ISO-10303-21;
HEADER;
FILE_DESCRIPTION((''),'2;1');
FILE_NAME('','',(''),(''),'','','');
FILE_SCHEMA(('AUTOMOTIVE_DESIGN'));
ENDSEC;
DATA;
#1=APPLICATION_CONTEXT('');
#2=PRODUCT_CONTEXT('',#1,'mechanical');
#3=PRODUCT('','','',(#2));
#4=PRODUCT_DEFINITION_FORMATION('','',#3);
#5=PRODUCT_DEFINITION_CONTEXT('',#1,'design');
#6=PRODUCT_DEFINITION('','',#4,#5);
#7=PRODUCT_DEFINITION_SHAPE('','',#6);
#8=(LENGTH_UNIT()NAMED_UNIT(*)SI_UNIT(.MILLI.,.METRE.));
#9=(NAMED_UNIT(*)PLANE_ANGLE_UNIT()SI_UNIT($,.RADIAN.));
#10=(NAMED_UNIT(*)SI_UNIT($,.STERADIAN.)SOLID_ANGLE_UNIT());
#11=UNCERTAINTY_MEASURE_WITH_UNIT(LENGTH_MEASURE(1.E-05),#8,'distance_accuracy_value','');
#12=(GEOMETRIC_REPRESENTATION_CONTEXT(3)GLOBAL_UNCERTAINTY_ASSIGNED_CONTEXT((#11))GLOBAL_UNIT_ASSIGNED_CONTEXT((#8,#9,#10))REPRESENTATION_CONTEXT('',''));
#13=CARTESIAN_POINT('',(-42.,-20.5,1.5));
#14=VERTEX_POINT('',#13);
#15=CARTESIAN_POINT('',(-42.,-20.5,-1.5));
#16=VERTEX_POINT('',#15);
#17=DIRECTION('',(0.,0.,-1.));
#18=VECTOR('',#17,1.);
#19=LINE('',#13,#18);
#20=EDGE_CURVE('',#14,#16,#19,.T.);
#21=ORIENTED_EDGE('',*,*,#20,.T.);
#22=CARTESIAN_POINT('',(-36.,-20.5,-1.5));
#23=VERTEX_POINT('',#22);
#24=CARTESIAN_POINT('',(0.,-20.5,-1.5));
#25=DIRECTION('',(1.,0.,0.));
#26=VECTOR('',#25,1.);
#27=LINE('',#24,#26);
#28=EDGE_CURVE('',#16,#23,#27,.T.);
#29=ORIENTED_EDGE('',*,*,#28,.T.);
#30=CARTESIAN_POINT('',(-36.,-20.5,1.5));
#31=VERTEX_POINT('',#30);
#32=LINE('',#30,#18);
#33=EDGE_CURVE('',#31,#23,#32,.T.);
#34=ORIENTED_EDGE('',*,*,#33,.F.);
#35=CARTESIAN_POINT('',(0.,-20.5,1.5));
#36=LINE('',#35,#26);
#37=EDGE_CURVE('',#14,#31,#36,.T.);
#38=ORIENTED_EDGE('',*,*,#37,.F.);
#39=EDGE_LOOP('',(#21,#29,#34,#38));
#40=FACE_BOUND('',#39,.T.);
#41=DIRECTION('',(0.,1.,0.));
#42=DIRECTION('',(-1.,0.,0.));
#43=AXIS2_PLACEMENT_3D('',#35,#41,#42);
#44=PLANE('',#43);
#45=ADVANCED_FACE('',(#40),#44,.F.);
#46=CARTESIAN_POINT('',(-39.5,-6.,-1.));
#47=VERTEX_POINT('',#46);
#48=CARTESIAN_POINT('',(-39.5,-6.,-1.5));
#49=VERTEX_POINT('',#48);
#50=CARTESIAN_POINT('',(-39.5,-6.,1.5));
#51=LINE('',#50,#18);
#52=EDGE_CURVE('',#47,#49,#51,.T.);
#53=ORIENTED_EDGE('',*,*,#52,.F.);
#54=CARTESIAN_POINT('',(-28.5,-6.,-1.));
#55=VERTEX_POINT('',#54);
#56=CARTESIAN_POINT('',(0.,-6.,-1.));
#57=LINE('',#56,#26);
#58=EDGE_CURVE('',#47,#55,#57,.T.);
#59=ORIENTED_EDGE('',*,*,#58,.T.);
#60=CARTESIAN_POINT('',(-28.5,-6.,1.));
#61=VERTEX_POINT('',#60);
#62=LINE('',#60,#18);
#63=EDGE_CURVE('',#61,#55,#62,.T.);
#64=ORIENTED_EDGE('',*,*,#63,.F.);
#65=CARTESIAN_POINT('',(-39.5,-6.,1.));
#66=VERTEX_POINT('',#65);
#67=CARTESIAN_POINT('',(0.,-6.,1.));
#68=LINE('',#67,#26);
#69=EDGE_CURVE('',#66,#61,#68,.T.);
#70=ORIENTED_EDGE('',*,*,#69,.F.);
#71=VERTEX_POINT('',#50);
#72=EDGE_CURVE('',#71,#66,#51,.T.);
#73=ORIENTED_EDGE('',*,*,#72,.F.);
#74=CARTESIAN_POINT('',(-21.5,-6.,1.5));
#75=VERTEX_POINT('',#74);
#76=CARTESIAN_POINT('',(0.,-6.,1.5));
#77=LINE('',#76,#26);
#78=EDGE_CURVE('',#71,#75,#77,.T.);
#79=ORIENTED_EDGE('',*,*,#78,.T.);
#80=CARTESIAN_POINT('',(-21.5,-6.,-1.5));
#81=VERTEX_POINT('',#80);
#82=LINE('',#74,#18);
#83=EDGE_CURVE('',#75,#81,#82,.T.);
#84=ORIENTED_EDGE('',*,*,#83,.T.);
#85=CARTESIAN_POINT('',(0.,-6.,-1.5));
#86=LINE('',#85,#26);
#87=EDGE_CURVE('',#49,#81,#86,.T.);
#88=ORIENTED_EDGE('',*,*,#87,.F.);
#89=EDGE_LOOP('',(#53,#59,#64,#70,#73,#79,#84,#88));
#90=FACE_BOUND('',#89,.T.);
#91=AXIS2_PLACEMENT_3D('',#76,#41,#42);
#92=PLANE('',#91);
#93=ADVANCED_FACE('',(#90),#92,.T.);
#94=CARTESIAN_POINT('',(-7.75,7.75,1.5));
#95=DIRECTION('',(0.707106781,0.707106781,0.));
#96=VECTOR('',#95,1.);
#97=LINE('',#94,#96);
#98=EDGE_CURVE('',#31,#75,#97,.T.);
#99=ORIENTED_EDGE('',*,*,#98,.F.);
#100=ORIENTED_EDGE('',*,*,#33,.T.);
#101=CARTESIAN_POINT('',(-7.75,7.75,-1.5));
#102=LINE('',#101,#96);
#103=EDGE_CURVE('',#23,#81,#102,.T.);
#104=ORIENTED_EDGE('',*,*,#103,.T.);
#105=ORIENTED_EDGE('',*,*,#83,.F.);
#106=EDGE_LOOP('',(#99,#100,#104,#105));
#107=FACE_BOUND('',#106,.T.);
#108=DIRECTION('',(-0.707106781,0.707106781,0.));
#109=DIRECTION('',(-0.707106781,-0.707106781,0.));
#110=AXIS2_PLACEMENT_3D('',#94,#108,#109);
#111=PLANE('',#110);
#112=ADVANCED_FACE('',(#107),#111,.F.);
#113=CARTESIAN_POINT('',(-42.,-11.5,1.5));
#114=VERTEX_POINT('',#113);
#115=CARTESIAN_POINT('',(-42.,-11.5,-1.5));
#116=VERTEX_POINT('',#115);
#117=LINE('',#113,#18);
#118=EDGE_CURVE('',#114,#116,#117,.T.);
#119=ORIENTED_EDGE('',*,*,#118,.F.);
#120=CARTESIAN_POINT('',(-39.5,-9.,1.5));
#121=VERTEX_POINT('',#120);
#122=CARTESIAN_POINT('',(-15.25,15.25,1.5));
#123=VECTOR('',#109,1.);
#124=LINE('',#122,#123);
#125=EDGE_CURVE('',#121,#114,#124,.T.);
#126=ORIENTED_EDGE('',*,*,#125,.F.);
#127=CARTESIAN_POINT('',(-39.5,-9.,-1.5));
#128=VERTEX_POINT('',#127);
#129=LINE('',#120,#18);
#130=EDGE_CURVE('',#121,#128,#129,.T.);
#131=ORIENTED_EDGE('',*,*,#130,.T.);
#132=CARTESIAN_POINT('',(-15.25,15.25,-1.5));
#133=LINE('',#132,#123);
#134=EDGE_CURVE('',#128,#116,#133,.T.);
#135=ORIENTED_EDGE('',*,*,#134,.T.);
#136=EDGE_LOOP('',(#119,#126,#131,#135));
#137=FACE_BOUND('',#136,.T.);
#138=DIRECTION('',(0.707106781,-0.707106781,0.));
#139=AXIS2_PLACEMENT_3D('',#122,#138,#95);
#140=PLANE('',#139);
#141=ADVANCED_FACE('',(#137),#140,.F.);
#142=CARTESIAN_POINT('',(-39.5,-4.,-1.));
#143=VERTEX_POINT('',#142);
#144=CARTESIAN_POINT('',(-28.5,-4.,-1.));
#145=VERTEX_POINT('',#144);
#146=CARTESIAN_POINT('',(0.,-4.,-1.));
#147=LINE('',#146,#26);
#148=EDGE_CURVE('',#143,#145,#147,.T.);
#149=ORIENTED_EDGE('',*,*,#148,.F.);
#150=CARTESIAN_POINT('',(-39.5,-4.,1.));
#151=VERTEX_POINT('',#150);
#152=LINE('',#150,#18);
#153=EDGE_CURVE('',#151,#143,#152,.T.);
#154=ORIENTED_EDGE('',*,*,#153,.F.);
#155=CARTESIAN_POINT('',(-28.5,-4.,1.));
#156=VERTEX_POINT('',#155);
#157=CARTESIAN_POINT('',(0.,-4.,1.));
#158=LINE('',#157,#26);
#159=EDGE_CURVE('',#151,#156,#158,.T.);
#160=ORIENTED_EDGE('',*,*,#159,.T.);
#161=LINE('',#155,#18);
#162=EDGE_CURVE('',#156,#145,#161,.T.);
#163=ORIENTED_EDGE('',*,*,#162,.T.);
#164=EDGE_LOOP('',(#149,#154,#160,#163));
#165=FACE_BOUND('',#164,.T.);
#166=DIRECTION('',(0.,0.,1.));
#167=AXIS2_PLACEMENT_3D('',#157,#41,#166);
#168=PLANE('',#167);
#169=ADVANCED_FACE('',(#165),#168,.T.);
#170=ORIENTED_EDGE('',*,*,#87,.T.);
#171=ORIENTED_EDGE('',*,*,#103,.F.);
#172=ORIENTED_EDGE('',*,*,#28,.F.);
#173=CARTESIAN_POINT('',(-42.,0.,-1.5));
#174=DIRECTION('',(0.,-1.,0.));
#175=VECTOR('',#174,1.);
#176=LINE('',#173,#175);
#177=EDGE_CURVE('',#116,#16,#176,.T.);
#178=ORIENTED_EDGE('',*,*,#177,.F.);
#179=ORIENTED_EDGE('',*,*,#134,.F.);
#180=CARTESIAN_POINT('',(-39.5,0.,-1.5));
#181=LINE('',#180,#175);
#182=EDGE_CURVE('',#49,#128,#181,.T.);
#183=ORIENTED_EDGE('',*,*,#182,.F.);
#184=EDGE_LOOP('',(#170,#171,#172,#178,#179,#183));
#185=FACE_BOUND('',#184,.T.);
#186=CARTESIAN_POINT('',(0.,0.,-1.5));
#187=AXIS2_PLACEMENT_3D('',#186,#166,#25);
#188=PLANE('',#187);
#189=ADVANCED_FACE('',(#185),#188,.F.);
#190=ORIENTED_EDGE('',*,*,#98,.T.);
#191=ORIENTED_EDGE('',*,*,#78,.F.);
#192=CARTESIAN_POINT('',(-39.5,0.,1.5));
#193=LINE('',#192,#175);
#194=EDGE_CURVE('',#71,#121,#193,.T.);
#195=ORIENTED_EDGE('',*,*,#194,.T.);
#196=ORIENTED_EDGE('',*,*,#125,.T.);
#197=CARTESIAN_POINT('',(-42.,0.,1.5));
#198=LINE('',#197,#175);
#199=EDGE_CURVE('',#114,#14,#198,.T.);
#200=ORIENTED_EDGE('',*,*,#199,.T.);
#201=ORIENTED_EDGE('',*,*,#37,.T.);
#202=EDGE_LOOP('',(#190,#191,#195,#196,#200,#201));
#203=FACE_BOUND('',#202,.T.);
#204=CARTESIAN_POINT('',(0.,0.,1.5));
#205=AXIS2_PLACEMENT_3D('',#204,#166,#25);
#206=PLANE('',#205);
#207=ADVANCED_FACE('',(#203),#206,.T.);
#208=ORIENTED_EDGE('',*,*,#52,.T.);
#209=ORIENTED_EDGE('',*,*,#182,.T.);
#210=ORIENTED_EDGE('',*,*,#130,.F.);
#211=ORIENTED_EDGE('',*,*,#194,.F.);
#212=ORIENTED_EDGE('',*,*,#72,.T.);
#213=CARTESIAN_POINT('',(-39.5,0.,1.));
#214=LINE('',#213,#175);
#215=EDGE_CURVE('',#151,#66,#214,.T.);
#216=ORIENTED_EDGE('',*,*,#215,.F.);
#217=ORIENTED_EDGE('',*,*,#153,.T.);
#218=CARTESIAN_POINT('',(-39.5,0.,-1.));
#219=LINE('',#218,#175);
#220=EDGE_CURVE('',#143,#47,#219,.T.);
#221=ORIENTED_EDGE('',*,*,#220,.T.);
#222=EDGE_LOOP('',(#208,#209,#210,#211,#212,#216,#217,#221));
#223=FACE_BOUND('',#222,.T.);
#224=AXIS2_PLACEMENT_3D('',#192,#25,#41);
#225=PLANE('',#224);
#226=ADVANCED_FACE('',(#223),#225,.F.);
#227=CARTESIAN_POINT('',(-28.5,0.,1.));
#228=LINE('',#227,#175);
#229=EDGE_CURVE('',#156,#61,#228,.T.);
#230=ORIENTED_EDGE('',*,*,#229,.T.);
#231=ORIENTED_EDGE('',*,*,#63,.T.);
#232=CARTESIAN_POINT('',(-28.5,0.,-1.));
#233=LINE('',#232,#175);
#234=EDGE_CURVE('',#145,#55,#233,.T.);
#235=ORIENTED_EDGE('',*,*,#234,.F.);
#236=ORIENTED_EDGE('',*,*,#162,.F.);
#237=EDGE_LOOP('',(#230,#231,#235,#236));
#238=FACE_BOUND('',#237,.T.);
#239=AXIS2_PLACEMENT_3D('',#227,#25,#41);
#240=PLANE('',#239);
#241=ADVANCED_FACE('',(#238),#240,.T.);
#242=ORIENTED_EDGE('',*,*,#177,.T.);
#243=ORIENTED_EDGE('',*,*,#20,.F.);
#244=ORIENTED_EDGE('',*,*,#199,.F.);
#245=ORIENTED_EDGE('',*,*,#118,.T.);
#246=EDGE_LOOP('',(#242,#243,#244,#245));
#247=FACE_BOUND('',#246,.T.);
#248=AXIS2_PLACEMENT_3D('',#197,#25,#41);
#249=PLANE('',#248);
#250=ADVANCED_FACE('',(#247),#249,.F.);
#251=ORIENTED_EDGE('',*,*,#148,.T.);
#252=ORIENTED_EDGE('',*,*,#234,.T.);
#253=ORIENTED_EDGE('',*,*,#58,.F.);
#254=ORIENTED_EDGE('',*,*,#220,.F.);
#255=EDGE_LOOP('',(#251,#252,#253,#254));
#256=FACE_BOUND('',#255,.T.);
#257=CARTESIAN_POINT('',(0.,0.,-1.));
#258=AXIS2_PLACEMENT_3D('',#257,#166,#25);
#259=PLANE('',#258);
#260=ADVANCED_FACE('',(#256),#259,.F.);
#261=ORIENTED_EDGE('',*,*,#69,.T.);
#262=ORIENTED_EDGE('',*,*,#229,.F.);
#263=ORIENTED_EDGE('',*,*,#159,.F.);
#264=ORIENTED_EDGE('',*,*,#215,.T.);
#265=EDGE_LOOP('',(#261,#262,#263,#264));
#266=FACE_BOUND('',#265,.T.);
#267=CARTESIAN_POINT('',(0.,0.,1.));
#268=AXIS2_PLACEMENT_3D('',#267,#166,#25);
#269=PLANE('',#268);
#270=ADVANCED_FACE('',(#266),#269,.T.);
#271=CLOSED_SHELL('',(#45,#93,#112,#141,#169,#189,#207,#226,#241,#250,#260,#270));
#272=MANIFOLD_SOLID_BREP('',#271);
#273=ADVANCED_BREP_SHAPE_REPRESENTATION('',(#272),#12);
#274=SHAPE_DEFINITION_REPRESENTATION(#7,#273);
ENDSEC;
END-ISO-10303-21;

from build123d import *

# Parameters (mm, degrees)
BOSS_EXTRUDE1_DEPTH = 1.5
SKETCH1_4_W         = 11
SKETCH1_4_H         = 2
BOSS_EXTRUDE2_DEPTH = 1


with BuildPart() as part:
    # Sketch1 → Boss-Extrude1 (new, symmetric)
    with BuildSketch(Plane.XY):
        Polygon((-28.5, -6), (-39.5, -6), (-39.5, -9), (-42, -11.5), (-42, -20.5), (-36, -20.5), (-24.008925726, -8.508925726), (-21.5, -6), align=None)
    extrude(amount=BOSS_EXTRUDE1_DEPTH, both=True)

    # Sketch1<4> → Boss-Extrude2 (add, symmetric)
    with BuildSketch(Plane.XY):
        with Locations((-34, -5)):
            Rectangle(SKETCH1_4_W, SKETCH1_4_H)
    extrude(amount=BOSS_EXTRUDE2_DEPTH, both=True)


solid = part.part
